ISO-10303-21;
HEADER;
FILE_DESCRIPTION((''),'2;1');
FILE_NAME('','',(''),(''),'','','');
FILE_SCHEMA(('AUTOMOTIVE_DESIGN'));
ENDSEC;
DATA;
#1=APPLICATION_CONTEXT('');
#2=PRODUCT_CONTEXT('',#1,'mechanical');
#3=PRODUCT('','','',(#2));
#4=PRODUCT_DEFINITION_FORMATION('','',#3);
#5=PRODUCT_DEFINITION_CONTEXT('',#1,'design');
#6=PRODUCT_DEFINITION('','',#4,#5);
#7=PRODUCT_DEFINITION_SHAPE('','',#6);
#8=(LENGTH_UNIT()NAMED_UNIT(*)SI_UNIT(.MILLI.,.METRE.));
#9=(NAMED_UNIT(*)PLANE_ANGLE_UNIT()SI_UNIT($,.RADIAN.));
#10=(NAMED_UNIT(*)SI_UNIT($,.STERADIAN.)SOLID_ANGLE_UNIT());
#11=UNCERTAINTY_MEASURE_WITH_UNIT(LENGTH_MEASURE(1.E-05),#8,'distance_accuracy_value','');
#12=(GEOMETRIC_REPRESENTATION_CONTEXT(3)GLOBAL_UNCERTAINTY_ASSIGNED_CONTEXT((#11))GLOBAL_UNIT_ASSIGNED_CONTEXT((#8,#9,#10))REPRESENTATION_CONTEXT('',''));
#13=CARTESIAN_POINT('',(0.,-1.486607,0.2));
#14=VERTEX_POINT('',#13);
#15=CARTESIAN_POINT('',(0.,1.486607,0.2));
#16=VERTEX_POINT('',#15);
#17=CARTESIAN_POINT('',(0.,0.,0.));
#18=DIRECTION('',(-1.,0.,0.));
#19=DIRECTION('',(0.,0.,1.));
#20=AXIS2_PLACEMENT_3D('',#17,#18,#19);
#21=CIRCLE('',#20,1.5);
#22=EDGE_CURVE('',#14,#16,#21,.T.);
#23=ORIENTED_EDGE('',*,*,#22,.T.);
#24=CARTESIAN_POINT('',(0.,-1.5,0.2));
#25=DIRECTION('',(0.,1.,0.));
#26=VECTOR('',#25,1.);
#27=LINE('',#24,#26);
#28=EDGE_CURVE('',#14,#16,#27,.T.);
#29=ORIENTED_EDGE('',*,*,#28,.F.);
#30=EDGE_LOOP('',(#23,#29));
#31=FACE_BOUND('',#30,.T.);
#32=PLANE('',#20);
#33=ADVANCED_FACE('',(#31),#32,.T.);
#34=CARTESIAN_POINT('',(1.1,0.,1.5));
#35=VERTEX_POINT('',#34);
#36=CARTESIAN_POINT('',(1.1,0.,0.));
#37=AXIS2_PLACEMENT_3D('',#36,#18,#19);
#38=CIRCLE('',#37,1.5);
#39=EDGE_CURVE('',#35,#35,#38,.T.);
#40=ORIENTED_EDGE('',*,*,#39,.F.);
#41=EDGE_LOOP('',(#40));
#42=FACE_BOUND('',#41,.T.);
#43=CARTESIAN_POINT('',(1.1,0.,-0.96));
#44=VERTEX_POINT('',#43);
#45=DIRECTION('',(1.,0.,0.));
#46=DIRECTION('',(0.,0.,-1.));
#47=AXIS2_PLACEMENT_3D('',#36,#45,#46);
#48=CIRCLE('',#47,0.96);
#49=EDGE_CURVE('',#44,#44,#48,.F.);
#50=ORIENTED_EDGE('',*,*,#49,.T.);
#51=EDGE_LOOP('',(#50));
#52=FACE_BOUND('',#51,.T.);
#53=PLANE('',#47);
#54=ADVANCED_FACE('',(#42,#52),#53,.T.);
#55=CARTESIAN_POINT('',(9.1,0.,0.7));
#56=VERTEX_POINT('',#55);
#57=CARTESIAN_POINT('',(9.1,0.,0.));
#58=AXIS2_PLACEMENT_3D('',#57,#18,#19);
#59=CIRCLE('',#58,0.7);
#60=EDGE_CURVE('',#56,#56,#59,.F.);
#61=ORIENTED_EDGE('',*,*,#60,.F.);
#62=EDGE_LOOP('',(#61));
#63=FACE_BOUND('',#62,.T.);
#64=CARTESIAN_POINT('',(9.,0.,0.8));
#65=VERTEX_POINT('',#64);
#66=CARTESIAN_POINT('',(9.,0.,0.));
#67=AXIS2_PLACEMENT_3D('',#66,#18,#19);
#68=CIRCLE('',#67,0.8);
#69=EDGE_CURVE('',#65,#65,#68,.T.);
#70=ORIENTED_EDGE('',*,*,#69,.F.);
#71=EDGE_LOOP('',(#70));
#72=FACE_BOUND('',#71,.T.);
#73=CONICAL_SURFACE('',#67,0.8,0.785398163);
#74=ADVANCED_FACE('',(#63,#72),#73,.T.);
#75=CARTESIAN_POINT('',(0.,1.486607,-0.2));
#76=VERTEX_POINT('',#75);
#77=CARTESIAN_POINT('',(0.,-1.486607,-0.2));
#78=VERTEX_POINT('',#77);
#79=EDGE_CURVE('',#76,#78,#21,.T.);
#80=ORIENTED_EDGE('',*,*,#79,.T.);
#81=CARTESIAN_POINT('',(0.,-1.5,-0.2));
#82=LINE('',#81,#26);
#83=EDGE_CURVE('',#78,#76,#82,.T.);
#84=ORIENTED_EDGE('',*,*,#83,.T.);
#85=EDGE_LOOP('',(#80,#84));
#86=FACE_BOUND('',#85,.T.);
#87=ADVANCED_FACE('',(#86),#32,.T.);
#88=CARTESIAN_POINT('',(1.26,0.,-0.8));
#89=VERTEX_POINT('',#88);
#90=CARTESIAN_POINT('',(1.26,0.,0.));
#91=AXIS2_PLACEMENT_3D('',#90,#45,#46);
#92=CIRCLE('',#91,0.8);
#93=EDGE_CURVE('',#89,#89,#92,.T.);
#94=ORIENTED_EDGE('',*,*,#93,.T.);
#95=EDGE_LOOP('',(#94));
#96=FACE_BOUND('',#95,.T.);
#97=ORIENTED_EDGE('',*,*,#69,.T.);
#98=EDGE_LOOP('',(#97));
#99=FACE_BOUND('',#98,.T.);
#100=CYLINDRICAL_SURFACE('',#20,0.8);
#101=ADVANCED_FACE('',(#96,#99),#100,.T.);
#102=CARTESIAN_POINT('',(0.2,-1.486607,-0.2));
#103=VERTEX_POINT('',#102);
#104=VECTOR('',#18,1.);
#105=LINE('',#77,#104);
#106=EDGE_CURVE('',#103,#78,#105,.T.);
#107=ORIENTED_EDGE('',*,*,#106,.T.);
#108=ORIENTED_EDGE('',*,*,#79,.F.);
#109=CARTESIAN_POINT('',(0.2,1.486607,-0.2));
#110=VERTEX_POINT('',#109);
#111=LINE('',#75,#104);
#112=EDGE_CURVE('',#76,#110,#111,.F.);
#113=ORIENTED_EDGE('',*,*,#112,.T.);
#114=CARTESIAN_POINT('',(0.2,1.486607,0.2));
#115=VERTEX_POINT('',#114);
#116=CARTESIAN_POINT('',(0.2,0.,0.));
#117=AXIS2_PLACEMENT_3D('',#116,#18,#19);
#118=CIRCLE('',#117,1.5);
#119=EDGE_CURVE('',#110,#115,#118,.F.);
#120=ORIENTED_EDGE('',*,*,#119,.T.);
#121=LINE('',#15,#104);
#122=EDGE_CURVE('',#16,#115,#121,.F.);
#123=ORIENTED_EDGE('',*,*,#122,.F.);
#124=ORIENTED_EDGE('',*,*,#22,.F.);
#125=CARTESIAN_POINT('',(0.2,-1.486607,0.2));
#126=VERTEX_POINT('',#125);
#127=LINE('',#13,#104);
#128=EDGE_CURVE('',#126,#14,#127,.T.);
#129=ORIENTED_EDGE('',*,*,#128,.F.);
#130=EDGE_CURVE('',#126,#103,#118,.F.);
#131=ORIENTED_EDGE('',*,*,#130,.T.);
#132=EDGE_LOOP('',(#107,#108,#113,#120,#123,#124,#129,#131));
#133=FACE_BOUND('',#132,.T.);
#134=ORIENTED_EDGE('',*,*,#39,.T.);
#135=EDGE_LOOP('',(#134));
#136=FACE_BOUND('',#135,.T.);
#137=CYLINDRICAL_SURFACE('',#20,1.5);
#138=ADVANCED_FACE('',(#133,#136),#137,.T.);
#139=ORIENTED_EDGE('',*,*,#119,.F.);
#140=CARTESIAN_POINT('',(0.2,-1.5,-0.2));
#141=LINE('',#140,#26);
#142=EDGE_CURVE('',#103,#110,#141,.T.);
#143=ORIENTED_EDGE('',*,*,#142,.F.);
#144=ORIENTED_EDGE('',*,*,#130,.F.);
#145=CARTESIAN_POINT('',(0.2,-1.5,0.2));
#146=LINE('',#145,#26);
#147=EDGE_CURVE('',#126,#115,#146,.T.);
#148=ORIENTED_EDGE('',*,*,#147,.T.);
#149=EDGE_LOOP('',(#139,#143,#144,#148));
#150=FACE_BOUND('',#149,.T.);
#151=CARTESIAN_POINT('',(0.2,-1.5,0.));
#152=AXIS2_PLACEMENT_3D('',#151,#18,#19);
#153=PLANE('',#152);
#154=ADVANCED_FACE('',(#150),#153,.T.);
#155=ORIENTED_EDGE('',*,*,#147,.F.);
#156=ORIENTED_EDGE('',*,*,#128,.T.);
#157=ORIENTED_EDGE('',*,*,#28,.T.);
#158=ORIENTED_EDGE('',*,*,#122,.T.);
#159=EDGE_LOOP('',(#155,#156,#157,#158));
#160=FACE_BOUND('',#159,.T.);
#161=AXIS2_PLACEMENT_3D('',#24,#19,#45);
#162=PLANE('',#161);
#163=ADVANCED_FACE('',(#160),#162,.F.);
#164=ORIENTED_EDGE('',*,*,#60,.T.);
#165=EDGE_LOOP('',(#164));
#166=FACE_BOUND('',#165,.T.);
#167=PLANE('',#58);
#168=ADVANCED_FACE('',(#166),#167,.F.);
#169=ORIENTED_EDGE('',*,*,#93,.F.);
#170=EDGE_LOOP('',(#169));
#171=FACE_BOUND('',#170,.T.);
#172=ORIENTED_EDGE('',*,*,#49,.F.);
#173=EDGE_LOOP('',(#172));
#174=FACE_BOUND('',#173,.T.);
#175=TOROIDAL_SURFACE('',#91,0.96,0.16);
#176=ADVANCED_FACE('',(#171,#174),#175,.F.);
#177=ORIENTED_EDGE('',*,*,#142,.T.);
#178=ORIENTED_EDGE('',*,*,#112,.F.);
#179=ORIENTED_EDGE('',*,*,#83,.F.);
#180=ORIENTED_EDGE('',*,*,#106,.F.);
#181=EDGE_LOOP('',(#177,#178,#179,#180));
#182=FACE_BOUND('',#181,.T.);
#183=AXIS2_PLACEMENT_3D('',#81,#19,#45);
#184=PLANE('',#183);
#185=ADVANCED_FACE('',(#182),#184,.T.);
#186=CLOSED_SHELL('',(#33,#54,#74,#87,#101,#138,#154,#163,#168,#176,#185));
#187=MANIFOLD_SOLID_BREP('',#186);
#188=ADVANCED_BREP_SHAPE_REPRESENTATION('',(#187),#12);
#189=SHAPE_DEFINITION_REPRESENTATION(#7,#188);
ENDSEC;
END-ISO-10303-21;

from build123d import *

# Parameters (mm, degrees)
SKETCH1_W           = 8
SKETCH1_H           = 0.8
CHAMFER1_SIZE       = 0.1
FILLET1_R           = 0.16
EXTRUDE1_DEPTH      = 10.343982021
EXTRUDE1_DEPTH_BACK = 10.343982021
SKETCH2_W           = 0.2
SKETCH2_H           = 0.2


with BuildPart() as part:
    # Sketch1 → Revolve1 (revolve)
    with BuildSketch(Plane.XY, mode=Mode.PRIVATE) as revolve1_sk:
        Polygon((0, 1.5), (0, 0), (1.1, 0), (1.1, 0.8), (1.1, 1.5), align=None)
        with Locations((5.1, 0.4)):
            Rectangle(SKETCH1_W, SKETCH1_H)
    revolve(revolve1_sk.sketch.rotate(Axis((0, 0, 0), (1, 0, 0)), 90), axis=Axis((0, 0, 0), (1, 0, 0)))

    # Chamfer1
    chamfer1_edges = [part.edges().sort_by_distance(p)[0] for p in [
        (9.1, 0, -0.8),
    ]]
    chamfer(chamfer1_edges, length=CHAMFER1_SIZE)

    # Fillet1
    fillet1_edges = [part.edges().sort_by_distance(p)[0] for p in [
        (1.1, 0, -0.8),
    ]]
    fillet(fillet1_edges, radius=FILLET1_R)

    # Sketch2 → Extrude1 (cut, two sides: drawn at the far end of the back side and taken through both)
    with BuildSketch(Plane(origin=(0, 0, 0), x_dir=(1, 0, 0), z_dir=(0, 1, 0)).offset(-EXTRUDE1_DEPTH_BACK)):
        with Locations((0.1, -0.1)):
            Rectangle(SKETCH2_W, SKETCH2_H)
        with Locations((0.1, 0.1)):
            Rectangle(SKETCH2_W, SKETCH2_H)
    extrude(amount=EXTRUDE1_DEPTH + EXTRUDE1_DEPTH_BACK, mode=Mode.SUBTRACT)


solid = part.part
